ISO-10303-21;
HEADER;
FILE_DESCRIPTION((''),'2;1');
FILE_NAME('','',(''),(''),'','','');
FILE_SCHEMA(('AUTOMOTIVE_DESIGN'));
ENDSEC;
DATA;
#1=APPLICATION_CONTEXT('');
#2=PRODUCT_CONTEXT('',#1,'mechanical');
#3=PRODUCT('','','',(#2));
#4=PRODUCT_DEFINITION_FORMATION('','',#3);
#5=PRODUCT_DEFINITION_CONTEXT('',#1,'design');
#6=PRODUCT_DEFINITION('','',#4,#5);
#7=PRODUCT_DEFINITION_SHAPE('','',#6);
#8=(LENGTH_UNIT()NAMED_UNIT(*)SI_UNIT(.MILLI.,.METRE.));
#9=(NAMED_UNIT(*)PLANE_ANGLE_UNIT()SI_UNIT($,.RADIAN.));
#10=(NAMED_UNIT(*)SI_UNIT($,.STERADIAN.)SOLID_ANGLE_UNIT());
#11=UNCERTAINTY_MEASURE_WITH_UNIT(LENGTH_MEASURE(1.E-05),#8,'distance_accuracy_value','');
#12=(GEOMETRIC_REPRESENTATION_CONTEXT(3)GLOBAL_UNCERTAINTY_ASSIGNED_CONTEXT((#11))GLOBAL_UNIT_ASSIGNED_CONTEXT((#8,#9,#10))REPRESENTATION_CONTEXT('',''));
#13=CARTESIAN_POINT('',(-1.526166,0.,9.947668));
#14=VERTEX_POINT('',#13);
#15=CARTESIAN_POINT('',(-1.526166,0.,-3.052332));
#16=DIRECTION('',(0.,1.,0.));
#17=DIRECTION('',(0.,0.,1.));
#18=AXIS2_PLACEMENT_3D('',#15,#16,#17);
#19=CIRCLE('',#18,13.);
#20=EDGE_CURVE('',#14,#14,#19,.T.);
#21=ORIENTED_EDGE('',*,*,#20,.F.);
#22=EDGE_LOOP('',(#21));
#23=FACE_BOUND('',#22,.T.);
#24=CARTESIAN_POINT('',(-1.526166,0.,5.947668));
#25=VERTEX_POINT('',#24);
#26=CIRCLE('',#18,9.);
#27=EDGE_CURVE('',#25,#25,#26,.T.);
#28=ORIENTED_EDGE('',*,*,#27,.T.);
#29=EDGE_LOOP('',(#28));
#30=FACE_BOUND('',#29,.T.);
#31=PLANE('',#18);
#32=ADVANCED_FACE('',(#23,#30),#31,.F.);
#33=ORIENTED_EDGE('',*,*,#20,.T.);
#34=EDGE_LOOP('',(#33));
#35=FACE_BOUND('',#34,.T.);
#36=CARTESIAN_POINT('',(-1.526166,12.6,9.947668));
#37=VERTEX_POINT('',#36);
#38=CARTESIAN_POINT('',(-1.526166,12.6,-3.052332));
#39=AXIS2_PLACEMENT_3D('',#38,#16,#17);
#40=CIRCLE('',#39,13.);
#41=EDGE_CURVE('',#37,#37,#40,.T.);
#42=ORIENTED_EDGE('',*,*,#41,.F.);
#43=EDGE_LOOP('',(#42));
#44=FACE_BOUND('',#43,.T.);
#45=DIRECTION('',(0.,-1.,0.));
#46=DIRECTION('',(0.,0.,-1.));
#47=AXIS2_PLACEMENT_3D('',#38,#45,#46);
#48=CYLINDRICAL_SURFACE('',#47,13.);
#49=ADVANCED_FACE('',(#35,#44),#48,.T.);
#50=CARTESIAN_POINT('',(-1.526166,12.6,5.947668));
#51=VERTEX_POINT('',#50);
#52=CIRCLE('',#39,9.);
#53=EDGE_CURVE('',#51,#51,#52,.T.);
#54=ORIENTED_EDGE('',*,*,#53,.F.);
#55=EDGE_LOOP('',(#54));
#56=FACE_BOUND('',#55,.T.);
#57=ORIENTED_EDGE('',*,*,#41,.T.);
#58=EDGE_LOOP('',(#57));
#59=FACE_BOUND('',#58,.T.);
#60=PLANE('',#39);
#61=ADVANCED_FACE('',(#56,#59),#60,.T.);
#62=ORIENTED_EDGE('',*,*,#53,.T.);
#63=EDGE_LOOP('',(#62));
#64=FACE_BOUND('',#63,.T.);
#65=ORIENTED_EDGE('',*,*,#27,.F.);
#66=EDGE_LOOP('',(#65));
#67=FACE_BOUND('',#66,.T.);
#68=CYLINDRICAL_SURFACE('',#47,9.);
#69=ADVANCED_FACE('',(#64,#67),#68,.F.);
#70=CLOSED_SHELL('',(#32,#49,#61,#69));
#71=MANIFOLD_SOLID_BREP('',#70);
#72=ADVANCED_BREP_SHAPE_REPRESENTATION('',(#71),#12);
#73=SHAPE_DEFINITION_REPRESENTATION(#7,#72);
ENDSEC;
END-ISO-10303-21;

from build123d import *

# Parameters (mm, degrees)
SKETCH1_R           = 13
SKETCH1_R_2         = 9
BOSS_EXTRUDE1_DEPTH = 12.6


with BuildPart() as part:
    # Sketch1 → Boss-Extrude1 (new body)
    with BuildSketch(Plane(origin=(0, 0, 0), x_dir=(1, 0, 0), z_dir=(0, 1, 0))):
        with Locations((-1.526165809, 3.052331618)):
            Circle(SKETCH1_R)
        with Locations((-1.526165809, 3.052331618)):
            Circle(SKETCH1_R_2, mode=Mode.SUBTRACT)
    extrude(amount=BOSS_EXTRUDE1_DEPTH)


solid = part.part
